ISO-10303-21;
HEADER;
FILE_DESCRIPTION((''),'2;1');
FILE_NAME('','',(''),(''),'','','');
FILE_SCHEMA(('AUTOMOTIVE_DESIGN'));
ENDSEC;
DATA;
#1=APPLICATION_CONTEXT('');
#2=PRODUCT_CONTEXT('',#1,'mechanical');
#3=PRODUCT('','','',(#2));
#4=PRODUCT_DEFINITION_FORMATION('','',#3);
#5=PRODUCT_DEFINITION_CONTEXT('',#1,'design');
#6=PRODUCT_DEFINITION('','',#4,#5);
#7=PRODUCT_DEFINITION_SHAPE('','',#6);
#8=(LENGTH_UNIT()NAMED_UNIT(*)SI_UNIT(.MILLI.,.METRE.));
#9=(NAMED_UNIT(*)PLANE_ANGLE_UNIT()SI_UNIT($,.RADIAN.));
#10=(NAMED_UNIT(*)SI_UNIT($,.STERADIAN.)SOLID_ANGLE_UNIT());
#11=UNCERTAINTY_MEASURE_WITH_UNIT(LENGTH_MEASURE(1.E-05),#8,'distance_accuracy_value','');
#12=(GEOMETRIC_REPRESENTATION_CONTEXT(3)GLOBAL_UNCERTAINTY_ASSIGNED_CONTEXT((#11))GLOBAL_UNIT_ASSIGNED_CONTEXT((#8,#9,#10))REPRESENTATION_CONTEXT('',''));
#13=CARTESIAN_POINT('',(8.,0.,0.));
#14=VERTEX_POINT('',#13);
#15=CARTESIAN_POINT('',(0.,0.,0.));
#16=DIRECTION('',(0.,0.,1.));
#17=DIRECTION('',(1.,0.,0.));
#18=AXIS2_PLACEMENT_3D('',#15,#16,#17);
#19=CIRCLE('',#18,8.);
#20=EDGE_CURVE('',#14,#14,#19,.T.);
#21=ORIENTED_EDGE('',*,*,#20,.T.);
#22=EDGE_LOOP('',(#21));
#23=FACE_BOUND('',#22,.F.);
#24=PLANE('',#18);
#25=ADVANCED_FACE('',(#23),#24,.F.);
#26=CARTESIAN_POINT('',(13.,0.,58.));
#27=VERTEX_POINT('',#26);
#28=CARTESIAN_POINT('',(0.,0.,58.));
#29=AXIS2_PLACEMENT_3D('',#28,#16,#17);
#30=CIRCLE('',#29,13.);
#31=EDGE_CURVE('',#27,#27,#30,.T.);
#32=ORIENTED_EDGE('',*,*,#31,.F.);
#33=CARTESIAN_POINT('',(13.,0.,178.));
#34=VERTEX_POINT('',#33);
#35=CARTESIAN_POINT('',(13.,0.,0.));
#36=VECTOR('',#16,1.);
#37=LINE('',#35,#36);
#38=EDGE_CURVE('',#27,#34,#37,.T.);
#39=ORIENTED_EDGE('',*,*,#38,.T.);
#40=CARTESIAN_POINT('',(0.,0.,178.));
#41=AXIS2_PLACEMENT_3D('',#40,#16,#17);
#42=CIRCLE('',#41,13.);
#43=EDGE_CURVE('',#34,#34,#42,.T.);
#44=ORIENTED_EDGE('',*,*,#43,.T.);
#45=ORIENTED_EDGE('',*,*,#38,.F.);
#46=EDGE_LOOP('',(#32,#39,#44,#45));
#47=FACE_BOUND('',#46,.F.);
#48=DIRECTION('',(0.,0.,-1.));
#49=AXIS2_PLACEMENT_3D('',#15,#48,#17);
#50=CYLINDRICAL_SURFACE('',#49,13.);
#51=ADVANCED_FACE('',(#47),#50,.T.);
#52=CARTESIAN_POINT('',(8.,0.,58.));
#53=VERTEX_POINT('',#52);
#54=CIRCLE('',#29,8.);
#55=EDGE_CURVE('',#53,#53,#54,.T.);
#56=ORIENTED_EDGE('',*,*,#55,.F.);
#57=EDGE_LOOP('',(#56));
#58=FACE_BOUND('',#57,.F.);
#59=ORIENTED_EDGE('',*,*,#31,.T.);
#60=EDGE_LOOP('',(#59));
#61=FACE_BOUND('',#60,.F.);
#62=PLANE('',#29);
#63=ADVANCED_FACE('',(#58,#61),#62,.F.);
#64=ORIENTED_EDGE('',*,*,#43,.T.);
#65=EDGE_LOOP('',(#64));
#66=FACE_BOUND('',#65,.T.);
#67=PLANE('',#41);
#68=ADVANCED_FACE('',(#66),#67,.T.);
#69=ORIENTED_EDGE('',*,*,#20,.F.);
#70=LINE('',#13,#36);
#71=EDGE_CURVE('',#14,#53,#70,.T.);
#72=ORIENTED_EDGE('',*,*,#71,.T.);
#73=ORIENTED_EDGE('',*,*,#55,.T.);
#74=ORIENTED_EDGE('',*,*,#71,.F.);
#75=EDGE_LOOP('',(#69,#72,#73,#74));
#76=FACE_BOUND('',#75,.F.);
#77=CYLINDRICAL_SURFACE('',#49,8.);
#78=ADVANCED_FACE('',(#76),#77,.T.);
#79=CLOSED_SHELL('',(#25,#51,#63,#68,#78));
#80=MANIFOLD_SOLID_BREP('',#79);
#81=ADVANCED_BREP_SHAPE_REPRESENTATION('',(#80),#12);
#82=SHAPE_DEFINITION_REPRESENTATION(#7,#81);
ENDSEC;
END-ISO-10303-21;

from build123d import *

# Parameters (mm, degrees)
F0_R     = 13
F0_R_2   = 8
F1_DEPTH = 178
F2_DEPTH = 58


with BuildPart() as f1:
    # F0 (on Top) → F1 (new body)
    with BuildSketch(Plane.XY):
        Circle(F0_R)
        Circle(F0_R_2, mode=Mode.SUBTRACT)
        Circle(F0_R_2)
    extrude(amount=F1_DEPTH)

    # F0 (on Top) → F2 (cut)
    with BuildSketch(Plane.XY):
        Circle(F0_R)
        Circle(F0_R_2, mode=Mode.SUBTRACT)
    extrude(amount=F2_DEPTH, mode=Mode.SUBTRACT)


solid = f1.part
